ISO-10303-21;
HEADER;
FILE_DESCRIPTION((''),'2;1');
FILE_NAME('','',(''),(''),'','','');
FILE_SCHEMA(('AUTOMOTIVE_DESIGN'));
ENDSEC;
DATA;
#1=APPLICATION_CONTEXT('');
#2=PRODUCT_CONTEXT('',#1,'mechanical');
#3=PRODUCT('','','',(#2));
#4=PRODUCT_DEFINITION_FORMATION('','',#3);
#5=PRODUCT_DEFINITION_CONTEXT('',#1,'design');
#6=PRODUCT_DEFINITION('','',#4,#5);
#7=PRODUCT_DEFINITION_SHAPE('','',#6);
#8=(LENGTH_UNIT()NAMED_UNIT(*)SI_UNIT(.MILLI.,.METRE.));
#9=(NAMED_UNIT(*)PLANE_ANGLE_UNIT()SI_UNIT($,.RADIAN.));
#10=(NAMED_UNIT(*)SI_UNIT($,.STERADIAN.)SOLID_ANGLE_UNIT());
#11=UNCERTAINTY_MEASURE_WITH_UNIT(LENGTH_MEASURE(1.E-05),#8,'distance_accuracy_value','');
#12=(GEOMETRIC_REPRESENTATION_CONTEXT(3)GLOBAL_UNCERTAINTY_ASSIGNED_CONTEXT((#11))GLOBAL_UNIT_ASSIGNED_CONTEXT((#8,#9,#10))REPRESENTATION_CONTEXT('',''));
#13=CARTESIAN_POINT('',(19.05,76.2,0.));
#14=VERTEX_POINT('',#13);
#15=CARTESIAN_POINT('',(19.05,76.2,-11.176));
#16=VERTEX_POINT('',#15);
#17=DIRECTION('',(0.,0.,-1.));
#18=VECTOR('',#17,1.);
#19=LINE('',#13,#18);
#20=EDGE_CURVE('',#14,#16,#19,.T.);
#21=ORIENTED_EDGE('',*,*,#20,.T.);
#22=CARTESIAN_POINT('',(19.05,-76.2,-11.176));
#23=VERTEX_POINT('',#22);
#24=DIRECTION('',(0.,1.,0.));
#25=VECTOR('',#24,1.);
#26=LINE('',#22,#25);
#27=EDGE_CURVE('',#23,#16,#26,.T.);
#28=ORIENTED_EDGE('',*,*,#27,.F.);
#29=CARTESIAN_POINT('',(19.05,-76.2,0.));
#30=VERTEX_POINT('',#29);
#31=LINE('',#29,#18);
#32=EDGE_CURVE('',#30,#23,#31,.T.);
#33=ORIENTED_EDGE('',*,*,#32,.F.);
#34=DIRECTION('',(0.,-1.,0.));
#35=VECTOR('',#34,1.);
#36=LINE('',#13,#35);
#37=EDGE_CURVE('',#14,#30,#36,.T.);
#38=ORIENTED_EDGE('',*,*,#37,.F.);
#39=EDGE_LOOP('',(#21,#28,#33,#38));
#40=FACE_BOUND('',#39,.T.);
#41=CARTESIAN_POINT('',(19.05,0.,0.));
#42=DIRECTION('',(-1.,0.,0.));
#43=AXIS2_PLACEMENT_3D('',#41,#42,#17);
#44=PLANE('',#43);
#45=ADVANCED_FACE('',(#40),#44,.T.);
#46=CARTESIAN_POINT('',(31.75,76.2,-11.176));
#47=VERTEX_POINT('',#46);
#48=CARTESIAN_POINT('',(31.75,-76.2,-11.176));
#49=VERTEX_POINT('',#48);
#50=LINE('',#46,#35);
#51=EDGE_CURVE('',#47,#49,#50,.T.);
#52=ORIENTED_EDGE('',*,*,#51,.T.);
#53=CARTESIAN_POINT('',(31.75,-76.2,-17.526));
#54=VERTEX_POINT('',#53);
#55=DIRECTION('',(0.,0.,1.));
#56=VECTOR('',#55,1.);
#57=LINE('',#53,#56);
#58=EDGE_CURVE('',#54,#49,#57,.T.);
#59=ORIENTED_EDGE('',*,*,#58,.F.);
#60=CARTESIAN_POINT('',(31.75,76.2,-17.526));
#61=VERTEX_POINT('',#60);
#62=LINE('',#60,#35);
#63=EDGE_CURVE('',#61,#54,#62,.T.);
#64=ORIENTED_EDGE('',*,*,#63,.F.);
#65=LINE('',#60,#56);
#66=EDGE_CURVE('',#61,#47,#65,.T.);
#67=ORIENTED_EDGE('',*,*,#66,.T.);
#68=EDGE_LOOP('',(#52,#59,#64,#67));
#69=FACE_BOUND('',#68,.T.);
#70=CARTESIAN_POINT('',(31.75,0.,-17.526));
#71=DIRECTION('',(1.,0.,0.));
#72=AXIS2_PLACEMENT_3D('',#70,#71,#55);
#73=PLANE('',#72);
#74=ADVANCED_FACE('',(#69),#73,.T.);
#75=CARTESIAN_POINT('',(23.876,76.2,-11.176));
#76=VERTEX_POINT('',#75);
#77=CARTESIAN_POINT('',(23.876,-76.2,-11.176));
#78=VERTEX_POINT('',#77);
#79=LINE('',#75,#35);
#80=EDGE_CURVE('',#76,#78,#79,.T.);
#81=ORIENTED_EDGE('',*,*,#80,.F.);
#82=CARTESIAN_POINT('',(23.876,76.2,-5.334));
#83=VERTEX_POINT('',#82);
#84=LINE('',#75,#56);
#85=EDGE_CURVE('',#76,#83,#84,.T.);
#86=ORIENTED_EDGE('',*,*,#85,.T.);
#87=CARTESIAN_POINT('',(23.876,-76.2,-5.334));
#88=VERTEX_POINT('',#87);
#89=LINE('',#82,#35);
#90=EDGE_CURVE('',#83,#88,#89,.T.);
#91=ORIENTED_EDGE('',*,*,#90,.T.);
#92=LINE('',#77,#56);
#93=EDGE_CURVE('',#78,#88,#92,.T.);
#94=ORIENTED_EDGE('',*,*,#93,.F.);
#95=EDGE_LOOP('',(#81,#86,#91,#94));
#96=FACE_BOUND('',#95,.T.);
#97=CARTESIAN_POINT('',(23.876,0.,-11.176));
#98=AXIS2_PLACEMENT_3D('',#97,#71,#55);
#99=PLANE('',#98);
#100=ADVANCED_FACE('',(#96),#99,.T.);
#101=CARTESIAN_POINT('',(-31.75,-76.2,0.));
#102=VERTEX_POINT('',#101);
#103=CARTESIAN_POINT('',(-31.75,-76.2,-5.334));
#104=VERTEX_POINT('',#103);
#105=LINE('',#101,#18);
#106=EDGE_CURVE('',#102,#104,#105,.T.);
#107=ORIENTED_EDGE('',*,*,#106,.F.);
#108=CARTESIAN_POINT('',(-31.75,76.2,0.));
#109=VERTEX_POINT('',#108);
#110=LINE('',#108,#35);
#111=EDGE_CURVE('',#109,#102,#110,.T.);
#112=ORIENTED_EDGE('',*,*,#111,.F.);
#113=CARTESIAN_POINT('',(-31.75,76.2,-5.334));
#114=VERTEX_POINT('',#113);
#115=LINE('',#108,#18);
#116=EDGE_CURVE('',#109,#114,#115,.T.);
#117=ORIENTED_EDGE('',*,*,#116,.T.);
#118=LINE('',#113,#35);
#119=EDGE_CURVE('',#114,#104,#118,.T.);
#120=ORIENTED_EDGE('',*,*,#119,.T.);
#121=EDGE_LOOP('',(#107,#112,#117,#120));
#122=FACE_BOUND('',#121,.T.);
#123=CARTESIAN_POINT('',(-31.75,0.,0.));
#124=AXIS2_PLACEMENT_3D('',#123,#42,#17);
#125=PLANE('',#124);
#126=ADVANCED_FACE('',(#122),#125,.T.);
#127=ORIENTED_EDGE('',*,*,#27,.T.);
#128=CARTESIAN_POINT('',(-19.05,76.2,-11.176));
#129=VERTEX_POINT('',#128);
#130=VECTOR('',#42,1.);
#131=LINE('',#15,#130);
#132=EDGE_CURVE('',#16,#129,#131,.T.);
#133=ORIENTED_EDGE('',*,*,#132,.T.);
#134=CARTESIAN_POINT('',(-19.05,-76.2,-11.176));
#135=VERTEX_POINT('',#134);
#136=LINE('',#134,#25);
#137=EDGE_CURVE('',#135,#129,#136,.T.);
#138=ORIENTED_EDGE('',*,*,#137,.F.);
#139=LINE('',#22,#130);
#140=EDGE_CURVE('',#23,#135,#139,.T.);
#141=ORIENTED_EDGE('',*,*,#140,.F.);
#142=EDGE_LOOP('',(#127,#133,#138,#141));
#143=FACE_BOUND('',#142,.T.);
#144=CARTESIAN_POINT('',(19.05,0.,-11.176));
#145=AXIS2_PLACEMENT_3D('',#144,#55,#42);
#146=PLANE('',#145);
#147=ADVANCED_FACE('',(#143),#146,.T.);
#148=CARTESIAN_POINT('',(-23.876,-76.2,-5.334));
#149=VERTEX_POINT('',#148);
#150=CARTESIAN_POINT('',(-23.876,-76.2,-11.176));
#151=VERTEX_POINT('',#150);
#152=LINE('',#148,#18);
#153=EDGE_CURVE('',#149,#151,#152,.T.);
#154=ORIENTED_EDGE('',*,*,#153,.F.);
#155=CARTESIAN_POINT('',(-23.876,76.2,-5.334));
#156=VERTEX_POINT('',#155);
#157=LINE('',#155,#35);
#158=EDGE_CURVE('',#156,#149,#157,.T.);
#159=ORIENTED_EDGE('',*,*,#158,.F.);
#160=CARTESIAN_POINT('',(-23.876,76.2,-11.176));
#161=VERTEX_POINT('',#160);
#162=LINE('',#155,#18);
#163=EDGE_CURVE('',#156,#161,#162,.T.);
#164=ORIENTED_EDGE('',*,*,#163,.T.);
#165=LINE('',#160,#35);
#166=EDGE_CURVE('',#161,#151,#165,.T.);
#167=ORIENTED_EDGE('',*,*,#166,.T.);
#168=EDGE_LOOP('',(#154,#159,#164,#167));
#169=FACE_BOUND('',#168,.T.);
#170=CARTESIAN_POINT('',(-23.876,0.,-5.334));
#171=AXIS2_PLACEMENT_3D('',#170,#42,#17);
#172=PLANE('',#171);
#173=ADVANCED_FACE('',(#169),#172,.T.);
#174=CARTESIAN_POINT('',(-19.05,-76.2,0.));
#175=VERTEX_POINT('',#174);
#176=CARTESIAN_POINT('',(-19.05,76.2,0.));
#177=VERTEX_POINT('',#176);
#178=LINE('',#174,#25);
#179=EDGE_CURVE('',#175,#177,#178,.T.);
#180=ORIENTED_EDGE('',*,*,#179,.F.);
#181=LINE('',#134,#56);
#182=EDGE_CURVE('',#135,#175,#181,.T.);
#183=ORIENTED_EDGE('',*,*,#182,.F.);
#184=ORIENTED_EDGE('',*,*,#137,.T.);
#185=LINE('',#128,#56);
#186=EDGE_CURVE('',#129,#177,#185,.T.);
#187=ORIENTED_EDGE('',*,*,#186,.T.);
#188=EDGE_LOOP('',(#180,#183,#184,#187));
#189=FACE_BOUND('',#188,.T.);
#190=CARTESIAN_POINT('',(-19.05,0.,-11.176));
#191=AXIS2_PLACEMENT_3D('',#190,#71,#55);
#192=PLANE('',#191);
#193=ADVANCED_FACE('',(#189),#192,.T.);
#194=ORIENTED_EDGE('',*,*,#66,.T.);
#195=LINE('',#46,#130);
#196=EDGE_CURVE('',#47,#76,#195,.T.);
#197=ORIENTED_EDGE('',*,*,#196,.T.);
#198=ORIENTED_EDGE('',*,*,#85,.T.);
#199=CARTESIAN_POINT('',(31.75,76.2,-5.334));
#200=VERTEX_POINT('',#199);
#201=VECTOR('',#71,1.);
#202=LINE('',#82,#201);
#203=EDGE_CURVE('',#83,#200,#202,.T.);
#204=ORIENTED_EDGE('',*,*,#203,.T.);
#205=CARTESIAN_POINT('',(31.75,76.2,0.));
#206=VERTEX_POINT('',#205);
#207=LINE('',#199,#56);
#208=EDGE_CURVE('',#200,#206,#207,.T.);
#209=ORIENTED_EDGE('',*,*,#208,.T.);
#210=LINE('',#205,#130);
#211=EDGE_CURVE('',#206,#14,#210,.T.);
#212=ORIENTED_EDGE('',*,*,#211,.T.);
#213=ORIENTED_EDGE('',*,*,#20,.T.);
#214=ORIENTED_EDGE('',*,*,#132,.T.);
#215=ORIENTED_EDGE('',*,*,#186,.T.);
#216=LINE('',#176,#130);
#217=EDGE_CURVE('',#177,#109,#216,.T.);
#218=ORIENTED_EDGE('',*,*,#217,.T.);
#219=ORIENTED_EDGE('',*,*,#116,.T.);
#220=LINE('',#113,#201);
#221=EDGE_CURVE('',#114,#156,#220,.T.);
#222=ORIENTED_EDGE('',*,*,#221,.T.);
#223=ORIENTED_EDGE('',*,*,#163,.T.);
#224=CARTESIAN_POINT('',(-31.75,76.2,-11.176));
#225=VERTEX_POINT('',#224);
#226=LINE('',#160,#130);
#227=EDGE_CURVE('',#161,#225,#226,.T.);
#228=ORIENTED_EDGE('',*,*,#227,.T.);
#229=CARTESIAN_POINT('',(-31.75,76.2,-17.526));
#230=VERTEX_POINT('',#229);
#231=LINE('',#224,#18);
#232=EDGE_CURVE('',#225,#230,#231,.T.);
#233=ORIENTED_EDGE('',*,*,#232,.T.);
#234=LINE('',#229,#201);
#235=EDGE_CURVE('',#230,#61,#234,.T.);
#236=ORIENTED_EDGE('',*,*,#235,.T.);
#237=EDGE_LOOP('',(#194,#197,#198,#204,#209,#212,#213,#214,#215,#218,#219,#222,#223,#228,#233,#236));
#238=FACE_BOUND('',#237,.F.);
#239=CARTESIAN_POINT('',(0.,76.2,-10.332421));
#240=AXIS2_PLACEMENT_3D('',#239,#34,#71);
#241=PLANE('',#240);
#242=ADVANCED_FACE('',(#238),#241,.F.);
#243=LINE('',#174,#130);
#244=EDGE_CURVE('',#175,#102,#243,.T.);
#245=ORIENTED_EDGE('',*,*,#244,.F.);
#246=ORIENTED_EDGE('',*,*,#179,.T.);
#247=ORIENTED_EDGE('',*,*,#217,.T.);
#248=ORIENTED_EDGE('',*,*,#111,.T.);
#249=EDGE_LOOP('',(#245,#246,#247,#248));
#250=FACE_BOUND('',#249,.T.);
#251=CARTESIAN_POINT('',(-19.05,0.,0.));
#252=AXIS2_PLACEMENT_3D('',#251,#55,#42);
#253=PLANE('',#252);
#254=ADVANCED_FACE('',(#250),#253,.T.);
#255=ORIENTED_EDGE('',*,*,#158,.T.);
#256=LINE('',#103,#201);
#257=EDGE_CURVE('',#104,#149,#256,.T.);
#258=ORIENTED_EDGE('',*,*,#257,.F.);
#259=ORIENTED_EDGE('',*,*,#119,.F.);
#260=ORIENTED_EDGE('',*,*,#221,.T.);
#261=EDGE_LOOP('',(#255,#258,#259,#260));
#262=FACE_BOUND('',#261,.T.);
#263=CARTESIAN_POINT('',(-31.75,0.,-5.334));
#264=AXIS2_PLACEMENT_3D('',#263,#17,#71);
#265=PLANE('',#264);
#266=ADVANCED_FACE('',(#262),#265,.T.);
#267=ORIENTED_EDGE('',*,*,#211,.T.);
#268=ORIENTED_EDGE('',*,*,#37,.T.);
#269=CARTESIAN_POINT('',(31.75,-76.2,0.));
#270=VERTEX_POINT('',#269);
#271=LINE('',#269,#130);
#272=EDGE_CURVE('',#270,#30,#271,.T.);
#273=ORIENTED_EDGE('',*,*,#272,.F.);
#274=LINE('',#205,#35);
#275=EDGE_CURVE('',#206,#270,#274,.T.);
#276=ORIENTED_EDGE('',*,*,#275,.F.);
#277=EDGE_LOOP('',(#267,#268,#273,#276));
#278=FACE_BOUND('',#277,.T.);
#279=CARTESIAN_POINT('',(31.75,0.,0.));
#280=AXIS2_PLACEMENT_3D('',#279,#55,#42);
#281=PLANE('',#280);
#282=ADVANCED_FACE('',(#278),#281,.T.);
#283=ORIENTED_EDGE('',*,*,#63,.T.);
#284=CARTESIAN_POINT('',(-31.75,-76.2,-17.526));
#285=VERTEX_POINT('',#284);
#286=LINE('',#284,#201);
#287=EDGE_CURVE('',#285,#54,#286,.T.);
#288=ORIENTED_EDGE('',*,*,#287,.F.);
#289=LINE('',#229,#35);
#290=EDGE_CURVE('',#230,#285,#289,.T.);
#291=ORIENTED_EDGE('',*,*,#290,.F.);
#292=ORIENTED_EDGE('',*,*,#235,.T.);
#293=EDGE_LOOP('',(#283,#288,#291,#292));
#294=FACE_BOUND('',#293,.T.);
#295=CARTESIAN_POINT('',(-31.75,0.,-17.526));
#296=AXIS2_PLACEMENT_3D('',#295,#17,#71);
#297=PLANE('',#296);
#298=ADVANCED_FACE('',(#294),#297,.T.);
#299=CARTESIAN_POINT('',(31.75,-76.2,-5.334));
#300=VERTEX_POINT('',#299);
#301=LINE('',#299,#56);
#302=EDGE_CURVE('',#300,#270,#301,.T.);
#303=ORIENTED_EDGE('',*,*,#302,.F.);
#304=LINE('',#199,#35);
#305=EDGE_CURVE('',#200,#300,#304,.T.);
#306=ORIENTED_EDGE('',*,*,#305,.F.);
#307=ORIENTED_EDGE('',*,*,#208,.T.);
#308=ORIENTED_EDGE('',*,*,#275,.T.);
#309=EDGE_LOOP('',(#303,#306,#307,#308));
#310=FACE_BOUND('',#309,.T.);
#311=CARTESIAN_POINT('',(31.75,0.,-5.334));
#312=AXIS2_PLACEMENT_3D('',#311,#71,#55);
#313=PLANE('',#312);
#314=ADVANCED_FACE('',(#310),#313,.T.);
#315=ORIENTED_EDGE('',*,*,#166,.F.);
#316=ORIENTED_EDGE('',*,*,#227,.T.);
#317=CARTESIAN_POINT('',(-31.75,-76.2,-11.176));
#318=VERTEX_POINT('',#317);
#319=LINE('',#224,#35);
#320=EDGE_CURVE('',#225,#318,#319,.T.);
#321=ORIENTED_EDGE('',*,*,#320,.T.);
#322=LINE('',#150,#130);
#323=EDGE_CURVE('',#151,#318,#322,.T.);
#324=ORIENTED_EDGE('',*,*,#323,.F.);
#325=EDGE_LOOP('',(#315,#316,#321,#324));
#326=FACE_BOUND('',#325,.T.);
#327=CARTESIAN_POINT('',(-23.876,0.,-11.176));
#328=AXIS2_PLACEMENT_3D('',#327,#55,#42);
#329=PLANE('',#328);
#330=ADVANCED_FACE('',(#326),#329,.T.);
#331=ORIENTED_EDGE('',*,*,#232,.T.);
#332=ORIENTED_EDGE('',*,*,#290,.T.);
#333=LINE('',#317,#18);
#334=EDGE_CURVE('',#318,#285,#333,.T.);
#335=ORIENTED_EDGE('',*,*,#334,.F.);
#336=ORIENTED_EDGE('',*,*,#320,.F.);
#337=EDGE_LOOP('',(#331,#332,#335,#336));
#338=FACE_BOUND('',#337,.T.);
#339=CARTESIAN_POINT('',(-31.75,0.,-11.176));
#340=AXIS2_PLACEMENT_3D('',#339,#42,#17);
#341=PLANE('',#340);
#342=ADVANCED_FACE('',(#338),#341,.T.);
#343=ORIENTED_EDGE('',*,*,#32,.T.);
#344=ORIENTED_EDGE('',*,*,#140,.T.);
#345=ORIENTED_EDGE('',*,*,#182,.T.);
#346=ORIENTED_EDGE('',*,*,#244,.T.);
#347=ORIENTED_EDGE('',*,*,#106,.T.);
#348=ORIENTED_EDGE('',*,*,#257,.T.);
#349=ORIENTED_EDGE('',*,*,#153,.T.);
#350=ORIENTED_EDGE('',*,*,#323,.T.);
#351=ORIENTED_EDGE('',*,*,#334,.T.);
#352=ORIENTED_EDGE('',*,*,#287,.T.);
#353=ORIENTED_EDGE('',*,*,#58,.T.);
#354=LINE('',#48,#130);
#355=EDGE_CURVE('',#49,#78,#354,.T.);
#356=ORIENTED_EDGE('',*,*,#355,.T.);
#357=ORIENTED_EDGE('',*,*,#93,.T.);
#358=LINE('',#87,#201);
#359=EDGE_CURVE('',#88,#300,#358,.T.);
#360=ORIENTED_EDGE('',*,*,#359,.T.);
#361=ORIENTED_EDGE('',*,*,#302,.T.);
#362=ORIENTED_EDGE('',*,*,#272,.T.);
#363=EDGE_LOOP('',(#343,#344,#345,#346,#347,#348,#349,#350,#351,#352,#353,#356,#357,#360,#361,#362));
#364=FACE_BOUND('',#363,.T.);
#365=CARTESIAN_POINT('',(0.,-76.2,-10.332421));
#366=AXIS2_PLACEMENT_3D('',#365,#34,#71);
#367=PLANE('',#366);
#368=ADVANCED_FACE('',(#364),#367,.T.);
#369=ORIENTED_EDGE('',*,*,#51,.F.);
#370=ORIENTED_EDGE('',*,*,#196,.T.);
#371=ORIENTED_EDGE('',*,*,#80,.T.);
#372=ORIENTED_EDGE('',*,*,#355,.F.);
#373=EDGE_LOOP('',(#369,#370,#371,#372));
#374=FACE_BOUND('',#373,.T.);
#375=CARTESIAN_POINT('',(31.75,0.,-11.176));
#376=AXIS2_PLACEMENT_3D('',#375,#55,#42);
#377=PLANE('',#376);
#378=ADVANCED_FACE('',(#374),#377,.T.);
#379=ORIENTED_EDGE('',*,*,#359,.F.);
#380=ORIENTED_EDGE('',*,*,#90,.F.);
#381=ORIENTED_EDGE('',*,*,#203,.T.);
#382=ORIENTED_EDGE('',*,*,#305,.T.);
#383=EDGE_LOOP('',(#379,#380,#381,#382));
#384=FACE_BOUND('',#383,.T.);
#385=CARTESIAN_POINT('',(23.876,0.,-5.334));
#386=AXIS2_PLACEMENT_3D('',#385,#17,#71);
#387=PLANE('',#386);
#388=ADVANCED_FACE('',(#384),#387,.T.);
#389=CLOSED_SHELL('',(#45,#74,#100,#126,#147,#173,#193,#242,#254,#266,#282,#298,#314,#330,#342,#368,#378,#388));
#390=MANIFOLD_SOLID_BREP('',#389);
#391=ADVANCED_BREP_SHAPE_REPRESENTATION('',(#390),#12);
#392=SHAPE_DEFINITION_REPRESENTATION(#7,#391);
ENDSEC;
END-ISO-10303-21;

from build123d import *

# Parameters (mm, degrees)
F1_DEPTH = 76.2


with BuildPart() as f1:
    # F0 (on Front) → F1 (new body, symmetric)
    with BuildSketch(Plane.XZ):
        Polygon((-19.05, 0), (-31.75, 0), (-31.75, -5.334), (-23.876, -5.334), (-23.876, -11.176), (-31.75, -11.176), (-31.75, -17.526), (0, -17.526), (31.75, -17.526), (31.75, -11.176), (23.876, -11.176), (23.876, -5.334), (31.75, -5.334), (31.75, 0), (19.05, 0), (19.05, -11.176), (0, -11.176), (-19.05, -11.176), align=None)
    extrude(amount=F1_DEPTH, both=True)


solid = f1.part
